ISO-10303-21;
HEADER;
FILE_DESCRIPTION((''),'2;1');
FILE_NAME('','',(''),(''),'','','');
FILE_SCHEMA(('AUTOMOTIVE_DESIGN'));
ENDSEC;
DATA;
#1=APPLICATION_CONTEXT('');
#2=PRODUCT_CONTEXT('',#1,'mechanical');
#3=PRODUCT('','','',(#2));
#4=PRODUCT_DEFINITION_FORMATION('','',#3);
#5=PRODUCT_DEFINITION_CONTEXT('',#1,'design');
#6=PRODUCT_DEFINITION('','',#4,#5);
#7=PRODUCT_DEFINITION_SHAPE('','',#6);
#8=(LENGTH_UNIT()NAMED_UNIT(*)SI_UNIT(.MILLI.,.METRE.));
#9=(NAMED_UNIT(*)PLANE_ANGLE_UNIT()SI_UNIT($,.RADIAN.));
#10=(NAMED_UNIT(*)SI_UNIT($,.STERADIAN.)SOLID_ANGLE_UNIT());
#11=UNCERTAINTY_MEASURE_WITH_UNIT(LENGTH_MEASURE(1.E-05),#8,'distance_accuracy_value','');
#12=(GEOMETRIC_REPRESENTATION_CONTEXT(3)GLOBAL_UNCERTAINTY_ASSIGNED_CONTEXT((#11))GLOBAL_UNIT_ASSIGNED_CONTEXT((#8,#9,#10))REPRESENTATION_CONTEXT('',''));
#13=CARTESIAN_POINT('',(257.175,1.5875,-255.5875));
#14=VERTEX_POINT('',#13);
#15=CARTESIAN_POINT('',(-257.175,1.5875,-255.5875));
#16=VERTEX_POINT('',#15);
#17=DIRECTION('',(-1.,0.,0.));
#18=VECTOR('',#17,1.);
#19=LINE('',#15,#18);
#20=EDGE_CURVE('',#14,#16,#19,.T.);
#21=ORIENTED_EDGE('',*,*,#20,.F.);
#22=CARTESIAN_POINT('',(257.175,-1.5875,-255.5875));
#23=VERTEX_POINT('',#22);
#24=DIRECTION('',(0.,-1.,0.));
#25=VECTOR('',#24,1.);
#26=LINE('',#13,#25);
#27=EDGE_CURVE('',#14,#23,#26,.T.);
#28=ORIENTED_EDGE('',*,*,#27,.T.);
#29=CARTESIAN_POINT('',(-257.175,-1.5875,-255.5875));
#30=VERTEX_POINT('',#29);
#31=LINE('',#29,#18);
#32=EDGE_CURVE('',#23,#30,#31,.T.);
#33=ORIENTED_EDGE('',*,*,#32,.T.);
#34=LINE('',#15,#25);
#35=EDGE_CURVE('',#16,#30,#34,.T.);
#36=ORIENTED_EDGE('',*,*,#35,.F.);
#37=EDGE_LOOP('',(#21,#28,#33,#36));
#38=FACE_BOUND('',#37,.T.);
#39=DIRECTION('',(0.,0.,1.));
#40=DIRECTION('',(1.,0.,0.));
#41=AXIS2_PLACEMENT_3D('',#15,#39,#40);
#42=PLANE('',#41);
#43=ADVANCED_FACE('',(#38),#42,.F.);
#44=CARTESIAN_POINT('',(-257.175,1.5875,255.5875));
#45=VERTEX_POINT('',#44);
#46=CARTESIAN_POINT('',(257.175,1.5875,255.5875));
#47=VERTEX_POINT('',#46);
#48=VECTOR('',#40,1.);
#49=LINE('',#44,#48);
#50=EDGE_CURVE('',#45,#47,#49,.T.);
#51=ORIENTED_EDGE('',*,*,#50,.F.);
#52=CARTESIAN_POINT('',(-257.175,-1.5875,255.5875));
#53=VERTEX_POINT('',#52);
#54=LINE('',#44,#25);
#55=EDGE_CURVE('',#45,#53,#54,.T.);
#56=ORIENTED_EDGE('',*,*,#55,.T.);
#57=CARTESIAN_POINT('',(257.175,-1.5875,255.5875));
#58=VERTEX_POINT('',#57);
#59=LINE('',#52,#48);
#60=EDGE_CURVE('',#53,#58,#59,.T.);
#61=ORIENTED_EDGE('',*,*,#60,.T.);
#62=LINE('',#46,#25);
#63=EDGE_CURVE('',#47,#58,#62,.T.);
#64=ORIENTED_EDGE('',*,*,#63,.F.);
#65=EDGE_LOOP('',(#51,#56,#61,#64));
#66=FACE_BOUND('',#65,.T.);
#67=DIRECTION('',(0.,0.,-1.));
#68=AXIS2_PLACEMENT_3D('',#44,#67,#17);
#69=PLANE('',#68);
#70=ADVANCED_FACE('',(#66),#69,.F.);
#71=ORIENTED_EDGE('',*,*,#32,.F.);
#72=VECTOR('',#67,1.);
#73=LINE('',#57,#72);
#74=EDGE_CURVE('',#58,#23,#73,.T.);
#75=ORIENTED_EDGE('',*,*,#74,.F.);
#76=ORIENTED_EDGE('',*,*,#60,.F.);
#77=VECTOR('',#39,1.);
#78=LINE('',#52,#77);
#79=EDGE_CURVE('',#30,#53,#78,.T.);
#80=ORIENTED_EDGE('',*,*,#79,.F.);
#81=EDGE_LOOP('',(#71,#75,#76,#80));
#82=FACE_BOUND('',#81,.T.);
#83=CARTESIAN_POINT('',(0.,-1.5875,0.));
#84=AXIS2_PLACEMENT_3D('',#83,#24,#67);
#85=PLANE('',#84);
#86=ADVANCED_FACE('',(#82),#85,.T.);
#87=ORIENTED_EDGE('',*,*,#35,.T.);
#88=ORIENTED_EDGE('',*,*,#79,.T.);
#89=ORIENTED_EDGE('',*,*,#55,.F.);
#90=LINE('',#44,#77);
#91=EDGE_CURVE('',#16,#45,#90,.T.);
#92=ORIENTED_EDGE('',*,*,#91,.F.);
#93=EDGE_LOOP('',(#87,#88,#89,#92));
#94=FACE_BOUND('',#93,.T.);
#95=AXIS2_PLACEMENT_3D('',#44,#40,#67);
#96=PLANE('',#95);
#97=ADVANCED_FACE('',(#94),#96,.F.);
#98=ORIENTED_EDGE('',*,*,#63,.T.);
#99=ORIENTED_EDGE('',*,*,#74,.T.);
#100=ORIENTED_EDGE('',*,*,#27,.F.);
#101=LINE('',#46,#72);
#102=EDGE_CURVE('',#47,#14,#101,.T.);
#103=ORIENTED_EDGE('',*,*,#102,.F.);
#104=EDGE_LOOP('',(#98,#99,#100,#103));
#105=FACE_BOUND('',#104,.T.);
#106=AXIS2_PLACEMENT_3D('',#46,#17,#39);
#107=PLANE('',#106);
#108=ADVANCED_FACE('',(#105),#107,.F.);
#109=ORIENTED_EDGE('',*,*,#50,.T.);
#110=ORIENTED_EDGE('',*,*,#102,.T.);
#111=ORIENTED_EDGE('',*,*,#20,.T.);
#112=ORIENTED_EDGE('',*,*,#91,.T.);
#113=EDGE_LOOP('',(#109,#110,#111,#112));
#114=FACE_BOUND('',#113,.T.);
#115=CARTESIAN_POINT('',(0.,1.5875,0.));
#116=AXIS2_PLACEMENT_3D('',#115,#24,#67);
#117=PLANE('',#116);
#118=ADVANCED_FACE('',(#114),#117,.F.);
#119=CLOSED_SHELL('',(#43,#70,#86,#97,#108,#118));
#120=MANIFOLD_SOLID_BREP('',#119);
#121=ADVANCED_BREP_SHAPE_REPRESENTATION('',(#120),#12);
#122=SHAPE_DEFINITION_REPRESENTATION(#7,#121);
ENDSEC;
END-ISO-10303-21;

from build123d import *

# Parameters (mm, degrees)
SKETCH1_W           = 514.35
SKETCH1_H           = 511.175
BOSS_EXTRUDE1_DEPTH = 1.5875


with BuildPart() as part:
    # Sketch1 → Boss-Extrude1 (new, symmetric)
    with BuildSketch(Plane(origin=(0, 0, 0), x_dir=(1, 0, 0), z_dir=(0, 1, 0))):
        Rectangle(SKETCH1_W, SKETCH1_H)
    extrude(amount=BOSS_EXTRUDE1_DEPTH, both=True)


solid = part.part
